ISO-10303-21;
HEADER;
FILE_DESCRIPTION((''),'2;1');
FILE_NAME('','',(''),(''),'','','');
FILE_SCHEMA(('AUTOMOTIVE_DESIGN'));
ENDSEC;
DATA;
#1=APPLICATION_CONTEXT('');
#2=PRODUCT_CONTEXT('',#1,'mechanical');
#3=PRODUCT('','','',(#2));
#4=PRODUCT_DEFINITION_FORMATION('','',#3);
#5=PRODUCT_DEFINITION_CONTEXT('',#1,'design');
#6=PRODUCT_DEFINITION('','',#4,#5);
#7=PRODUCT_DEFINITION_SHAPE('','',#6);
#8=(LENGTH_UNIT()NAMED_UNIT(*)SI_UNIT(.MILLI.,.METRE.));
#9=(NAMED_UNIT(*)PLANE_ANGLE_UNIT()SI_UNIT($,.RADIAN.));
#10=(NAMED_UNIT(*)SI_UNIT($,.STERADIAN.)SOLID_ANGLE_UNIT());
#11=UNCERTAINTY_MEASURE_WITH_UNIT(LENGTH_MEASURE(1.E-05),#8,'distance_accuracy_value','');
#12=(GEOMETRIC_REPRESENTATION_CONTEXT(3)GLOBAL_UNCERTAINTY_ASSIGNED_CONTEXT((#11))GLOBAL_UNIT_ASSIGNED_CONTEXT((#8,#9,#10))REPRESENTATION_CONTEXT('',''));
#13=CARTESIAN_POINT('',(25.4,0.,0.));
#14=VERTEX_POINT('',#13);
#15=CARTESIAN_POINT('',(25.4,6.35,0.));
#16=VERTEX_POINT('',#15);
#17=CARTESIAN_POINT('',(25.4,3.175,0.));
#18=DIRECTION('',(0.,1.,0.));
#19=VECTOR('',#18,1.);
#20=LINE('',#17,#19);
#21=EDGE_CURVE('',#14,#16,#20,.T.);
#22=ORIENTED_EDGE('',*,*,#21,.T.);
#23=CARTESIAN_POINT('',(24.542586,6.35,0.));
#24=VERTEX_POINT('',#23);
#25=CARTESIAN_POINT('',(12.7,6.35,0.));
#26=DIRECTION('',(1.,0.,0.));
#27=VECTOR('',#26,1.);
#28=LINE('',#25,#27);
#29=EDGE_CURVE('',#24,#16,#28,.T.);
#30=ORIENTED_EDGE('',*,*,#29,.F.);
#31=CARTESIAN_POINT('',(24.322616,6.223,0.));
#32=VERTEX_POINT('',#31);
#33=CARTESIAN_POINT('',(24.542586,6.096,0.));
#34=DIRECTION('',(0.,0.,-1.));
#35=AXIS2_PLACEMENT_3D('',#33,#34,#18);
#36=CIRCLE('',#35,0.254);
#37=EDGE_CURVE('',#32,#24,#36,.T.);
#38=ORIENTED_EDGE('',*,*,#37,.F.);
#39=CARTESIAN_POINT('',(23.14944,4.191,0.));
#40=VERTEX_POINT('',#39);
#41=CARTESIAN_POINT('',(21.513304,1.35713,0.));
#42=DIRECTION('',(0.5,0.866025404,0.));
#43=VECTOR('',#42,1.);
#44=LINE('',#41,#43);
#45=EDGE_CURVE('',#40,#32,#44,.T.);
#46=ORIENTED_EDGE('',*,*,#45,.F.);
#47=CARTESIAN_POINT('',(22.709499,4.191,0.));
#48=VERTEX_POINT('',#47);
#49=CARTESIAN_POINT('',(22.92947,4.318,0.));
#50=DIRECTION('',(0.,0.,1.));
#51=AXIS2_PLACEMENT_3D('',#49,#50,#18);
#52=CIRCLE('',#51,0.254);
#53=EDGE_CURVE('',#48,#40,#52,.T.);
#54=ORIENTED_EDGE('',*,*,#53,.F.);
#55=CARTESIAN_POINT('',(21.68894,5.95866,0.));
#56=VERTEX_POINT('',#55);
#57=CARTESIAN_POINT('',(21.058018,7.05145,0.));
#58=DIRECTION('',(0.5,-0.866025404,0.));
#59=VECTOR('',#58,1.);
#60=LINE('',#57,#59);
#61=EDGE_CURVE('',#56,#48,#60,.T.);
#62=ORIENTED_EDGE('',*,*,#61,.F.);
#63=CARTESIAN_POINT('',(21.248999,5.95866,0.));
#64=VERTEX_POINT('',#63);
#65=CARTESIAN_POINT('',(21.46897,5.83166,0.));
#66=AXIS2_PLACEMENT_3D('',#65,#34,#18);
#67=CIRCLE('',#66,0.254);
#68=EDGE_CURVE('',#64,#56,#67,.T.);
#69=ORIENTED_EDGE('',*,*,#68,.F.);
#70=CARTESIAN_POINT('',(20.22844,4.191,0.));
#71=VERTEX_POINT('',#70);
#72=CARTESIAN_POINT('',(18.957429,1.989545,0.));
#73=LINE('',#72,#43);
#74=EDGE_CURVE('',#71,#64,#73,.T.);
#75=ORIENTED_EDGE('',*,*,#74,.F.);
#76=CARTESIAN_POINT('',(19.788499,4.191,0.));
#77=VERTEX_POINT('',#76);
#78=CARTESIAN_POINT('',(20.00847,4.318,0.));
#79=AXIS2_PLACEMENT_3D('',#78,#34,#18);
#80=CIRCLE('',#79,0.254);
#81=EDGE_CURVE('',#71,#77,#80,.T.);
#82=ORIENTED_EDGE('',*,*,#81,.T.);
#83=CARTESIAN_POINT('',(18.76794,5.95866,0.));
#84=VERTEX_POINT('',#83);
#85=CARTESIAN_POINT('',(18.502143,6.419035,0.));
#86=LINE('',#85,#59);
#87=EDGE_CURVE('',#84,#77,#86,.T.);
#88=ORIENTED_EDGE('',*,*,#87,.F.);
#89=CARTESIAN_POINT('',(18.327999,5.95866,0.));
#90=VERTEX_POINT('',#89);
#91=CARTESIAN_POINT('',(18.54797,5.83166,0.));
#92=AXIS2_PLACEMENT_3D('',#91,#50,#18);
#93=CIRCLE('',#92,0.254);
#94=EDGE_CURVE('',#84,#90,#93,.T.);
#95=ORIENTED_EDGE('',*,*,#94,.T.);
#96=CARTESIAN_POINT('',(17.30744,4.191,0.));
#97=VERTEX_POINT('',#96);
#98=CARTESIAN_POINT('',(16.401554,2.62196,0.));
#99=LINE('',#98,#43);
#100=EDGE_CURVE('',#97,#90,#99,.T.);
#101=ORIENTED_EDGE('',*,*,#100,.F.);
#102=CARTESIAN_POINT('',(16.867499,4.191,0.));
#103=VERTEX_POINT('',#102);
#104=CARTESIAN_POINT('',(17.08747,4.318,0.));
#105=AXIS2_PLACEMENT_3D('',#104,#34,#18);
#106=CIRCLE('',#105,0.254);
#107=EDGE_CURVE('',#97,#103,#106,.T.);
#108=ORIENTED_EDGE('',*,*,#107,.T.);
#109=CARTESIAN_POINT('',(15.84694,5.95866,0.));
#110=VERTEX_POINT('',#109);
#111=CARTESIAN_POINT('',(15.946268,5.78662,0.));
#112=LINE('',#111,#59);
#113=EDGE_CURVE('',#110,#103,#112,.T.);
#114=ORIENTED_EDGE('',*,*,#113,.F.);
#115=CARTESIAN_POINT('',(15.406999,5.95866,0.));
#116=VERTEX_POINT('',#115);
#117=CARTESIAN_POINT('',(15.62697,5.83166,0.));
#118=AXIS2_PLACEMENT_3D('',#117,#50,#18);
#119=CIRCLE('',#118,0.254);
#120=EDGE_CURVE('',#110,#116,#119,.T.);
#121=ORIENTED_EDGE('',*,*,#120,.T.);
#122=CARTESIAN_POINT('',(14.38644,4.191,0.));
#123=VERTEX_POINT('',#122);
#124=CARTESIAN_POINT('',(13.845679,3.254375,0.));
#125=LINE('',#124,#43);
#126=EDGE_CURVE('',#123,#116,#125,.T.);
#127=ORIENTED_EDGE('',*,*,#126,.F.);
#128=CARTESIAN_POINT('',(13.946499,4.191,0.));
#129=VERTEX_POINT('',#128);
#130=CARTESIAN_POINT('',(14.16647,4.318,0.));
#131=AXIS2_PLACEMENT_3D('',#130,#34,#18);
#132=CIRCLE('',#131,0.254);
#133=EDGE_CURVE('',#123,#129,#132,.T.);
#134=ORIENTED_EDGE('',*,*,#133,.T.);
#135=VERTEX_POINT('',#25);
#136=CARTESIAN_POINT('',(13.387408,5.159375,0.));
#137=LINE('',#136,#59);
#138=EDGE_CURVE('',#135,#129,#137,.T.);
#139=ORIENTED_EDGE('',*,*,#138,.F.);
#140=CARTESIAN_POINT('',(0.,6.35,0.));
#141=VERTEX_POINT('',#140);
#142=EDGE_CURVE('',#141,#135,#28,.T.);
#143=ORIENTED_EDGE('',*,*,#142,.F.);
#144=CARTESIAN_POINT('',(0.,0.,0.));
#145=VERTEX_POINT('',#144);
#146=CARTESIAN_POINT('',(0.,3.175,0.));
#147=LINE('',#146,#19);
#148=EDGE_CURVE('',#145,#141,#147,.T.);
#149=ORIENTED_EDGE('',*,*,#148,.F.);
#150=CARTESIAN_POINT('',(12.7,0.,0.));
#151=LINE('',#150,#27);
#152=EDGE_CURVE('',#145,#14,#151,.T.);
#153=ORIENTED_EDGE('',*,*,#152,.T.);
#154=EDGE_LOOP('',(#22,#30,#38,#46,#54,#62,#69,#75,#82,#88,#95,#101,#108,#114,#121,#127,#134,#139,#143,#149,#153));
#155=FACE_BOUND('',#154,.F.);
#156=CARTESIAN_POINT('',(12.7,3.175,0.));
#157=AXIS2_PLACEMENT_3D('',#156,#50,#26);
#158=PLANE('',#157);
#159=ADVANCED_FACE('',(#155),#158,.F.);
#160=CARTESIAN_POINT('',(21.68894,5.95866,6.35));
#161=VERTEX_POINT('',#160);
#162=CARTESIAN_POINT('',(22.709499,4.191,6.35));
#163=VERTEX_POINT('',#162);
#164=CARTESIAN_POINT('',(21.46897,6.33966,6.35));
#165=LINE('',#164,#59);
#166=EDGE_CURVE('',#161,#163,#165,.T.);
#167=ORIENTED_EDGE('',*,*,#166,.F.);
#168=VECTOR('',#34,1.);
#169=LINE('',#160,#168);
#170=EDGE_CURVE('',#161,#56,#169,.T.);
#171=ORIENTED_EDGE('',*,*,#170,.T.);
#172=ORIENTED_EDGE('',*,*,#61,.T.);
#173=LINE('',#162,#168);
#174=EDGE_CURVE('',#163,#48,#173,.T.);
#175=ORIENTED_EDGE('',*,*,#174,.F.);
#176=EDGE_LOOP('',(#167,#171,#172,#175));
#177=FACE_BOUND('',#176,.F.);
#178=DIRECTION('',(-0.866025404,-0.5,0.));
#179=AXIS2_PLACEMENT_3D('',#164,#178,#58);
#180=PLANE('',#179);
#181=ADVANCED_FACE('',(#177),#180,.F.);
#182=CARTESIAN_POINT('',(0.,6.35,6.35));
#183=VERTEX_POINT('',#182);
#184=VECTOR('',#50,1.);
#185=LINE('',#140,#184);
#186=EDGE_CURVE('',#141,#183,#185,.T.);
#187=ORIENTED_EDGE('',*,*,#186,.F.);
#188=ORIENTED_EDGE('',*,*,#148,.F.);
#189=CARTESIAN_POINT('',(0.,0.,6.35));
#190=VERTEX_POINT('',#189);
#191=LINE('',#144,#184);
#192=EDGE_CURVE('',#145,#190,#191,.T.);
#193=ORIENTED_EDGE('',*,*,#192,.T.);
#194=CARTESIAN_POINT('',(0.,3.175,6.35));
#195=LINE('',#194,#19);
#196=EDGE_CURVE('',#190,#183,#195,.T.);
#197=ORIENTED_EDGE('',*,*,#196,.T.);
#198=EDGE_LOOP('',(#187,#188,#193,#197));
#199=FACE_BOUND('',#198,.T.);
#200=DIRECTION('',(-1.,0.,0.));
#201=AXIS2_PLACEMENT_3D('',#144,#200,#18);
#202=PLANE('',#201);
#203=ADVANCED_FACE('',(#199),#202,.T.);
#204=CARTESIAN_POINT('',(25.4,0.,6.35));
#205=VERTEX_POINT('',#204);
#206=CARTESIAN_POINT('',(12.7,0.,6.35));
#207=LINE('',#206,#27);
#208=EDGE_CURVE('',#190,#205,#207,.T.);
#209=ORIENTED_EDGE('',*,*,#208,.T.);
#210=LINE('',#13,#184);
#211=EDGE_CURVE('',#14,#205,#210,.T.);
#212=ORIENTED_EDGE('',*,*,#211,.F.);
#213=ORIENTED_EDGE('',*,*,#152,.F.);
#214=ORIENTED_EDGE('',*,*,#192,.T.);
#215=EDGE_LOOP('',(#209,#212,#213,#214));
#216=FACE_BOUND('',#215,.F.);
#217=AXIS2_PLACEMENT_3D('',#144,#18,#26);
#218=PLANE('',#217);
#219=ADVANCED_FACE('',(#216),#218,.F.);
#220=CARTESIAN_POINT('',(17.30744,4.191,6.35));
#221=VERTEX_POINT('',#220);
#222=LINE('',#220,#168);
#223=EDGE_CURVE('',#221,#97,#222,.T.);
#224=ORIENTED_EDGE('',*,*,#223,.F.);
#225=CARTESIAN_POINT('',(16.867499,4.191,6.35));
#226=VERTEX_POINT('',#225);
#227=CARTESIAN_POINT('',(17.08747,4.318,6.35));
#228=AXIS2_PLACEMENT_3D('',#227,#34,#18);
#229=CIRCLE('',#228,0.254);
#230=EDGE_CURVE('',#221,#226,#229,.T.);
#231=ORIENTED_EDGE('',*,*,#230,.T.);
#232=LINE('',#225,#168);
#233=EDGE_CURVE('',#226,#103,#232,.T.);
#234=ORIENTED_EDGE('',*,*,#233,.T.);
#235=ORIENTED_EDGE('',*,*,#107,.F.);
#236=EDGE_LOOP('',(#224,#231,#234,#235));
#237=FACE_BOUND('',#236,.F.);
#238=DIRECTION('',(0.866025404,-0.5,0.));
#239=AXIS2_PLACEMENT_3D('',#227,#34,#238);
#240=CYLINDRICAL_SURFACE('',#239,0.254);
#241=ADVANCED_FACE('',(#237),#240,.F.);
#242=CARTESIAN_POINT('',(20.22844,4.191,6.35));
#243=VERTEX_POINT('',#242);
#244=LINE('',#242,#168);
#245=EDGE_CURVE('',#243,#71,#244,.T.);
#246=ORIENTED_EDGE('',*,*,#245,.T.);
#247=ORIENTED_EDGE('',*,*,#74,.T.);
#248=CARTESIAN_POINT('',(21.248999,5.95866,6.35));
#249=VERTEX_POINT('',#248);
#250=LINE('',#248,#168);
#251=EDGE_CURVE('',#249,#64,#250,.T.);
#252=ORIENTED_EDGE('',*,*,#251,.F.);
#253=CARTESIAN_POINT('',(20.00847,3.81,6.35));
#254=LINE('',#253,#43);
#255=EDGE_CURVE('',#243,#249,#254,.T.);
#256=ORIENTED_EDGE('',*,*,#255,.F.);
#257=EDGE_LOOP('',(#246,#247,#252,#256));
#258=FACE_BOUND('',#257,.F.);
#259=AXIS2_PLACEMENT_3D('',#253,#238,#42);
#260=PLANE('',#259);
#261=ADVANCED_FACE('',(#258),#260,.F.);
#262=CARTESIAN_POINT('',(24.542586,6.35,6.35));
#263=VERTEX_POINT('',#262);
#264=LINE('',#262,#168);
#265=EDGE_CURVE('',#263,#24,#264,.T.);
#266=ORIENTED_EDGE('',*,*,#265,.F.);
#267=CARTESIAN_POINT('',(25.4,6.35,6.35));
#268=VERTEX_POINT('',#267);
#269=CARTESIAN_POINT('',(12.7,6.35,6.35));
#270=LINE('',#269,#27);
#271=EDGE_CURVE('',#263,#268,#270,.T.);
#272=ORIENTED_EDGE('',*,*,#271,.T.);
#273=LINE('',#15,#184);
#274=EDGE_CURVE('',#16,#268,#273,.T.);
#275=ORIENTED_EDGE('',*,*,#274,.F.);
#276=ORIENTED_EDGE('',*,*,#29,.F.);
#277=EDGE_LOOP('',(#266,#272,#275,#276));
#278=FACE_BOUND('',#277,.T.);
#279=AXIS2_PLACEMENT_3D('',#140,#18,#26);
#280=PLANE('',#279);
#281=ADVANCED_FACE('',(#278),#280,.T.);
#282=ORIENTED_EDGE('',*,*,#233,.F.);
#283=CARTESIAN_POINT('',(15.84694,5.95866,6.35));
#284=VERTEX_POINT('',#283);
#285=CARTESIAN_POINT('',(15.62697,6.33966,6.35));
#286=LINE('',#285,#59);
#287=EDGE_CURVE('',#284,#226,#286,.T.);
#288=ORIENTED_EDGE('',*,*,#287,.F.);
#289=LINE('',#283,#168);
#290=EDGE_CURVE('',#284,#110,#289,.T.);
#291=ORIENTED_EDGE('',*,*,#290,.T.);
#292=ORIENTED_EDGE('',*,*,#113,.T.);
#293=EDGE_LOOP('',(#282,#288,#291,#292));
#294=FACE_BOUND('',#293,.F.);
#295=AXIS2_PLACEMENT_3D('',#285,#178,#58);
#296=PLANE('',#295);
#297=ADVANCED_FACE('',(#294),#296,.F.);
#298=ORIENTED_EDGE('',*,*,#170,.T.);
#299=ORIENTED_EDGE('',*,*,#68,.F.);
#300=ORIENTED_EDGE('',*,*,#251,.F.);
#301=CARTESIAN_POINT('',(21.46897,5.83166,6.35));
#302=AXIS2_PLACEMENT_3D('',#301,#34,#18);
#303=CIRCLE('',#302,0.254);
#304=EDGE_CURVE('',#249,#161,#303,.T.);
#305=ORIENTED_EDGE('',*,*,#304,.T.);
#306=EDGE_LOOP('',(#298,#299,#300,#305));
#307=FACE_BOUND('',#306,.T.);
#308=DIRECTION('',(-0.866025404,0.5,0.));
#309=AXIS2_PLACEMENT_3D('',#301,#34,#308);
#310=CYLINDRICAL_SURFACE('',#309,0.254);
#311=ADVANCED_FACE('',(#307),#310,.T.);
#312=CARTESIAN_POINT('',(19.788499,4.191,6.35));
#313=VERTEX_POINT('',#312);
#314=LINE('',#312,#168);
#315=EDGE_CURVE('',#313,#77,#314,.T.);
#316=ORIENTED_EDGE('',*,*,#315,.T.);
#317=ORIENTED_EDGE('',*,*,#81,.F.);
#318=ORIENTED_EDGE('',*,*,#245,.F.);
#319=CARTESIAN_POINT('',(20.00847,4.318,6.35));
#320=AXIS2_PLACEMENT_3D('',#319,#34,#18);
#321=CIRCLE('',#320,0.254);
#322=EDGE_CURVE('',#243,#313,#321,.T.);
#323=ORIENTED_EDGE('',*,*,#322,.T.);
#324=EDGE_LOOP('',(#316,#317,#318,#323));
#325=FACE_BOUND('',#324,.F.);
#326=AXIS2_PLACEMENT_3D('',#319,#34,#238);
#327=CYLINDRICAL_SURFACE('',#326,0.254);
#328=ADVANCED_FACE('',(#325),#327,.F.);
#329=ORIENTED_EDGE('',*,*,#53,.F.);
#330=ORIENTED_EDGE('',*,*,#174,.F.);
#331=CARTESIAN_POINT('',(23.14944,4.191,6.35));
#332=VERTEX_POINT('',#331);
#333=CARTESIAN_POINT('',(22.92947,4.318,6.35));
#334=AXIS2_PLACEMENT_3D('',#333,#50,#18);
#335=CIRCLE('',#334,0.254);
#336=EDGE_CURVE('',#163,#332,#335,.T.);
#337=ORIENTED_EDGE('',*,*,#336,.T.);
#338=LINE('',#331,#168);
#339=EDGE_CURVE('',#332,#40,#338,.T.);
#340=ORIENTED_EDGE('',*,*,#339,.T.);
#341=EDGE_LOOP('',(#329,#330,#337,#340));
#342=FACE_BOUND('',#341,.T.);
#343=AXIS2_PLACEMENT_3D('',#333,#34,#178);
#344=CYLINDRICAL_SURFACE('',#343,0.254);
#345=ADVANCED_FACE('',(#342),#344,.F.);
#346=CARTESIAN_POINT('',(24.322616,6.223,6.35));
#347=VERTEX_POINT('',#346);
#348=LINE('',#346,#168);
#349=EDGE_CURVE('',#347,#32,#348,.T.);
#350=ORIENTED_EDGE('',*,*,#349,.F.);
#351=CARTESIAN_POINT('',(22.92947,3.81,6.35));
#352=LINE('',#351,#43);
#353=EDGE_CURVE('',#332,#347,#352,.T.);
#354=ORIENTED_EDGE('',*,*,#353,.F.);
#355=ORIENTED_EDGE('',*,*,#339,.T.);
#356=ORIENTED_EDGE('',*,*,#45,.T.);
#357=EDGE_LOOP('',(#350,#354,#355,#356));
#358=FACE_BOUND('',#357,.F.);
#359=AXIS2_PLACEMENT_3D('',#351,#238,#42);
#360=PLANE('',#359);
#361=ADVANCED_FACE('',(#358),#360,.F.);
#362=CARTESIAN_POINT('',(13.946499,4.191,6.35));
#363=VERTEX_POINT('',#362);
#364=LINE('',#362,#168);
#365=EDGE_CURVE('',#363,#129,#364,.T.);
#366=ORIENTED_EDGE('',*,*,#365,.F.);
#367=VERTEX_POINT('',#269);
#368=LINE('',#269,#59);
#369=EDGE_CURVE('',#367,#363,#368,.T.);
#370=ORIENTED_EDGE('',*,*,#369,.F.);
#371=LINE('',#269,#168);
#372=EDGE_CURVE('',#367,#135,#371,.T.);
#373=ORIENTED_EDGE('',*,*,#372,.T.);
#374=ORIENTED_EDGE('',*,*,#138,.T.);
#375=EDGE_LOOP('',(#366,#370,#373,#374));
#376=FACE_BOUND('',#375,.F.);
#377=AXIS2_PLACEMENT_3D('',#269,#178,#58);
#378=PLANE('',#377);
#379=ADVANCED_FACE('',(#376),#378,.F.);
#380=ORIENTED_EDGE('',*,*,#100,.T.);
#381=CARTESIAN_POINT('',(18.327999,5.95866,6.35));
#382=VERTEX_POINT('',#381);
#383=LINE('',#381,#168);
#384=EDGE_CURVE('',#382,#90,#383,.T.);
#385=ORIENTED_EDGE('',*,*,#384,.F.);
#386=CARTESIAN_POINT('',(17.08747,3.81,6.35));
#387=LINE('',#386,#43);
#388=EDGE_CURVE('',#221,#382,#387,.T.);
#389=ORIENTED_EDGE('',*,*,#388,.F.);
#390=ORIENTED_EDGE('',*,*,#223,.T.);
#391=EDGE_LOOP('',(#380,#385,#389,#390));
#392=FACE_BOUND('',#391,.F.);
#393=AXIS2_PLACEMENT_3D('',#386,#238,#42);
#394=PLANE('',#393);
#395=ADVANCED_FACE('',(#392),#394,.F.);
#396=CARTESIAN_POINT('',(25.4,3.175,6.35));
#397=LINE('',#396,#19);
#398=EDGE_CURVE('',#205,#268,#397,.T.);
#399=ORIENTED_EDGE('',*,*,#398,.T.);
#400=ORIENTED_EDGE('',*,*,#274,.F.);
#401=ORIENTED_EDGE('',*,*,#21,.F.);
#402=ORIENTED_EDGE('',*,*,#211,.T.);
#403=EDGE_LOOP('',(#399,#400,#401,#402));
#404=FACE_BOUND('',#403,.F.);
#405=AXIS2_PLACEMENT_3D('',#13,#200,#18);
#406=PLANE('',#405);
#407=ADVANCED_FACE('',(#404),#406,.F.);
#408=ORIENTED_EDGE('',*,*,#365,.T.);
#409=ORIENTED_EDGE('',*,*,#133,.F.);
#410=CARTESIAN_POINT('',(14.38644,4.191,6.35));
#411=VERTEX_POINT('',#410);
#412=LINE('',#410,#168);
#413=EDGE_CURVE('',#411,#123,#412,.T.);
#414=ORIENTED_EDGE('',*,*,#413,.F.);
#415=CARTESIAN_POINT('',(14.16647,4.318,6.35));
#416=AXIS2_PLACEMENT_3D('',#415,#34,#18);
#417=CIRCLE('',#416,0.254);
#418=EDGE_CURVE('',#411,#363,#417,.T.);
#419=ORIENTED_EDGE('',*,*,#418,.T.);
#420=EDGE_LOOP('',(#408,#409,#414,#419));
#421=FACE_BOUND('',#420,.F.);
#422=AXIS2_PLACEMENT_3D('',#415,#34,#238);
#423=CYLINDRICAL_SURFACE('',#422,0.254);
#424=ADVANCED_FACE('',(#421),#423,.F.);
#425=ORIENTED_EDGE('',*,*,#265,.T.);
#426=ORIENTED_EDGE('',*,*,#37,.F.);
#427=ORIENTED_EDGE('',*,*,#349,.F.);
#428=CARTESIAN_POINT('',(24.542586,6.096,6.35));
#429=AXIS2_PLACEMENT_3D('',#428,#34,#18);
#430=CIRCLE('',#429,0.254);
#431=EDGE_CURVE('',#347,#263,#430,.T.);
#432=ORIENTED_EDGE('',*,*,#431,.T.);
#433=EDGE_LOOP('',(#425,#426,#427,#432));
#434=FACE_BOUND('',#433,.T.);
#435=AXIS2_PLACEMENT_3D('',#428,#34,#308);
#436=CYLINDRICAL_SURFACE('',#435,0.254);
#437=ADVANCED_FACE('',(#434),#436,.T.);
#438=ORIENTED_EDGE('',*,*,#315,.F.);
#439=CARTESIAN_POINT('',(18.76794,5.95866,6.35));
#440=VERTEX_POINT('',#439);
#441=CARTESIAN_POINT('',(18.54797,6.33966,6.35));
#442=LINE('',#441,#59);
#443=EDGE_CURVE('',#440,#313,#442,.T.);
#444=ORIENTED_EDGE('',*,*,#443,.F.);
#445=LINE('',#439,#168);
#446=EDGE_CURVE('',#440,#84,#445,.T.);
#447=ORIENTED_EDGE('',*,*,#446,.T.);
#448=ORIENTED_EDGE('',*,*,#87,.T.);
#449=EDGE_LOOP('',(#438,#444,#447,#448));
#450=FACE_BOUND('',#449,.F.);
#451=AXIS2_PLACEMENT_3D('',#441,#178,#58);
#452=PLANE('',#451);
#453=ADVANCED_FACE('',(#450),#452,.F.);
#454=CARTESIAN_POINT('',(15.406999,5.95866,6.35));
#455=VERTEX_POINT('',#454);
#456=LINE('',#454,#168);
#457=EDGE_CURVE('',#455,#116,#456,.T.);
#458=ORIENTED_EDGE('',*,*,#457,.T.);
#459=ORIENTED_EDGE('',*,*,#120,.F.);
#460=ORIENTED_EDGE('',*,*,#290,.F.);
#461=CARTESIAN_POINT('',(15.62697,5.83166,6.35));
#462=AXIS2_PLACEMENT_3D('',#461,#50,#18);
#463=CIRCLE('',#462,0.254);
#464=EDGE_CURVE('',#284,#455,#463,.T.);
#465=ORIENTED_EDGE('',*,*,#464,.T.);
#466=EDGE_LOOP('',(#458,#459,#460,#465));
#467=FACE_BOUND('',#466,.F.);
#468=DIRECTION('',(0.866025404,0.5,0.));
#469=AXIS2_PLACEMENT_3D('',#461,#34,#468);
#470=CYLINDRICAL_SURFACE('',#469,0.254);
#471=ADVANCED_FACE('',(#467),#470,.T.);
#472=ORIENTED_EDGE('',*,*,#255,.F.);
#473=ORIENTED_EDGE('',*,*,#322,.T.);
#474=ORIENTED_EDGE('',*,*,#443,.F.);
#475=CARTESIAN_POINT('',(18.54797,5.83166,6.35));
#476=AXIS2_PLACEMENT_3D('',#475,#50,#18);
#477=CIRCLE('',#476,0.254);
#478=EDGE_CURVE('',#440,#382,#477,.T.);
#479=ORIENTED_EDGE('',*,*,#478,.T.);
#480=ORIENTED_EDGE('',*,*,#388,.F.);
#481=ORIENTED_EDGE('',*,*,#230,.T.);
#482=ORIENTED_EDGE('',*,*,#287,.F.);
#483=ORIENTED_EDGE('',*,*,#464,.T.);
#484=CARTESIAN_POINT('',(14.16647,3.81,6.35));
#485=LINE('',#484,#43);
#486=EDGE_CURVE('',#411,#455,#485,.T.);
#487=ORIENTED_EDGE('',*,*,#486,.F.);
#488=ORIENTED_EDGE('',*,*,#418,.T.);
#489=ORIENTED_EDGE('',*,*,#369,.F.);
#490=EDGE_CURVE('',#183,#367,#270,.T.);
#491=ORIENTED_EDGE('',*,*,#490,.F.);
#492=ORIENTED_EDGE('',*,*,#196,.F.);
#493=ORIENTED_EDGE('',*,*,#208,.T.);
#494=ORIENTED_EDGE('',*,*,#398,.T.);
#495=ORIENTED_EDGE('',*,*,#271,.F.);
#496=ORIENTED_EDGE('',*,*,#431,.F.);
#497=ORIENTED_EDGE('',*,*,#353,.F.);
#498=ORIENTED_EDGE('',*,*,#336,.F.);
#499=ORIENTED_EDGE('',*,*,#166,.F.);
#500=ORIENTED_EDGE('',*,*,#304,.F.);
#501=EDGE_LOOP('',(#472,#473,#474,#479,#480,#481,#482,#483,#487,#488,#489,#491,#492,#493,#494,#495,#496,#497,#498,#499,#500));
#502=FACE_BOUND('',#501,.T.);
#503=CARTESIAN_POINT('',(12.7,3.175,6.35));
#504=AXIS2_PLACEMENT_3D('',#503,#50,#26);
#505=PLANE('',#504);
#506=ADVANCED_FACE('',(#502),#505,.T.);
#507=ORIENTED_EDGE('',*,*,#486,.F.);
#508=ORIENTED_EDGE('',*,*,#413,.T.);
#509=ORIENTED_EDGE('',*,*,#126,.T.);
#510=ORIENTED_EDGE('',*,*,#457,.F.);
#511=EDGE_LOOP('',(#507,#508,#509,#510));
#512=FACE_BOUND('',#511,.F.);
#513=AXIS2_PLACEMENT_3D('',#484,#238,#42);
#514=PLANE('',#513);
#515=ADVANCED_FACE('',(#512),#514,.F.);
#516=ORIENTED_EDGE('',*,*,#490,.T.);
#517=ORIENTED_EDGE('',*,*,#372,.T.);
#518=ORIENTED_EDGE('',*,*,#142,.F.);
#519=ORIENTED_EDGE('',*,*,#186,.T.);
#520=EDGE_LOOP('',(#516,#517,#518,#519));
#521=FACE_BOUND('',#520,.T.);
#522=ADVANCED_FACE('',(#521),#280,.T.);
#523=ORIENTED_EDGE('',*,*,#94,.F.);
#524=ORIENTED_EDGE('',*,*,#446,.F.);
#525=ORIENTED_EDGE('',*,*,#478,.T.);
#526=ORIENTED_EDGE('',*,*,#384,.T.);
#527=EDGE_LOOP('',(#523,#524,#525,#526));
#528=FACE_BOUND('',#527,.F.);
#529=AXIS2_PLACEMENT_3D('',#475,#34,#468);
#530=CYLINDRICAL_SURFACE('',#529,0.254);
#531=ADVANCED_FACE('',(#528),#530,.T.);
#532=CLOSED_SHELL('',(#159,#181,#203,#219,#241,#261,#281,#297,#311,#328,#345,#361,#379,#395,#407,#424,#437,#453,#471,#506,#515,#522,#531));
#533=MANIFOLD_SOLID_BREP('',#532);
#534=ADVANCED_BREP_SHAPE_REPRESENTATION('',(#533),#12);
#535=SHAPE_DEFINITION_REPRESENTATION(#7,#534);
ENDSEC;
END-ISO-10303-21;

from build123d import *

# Parameters (mm, degrees)
F0_W     = 25.4
F0_H     = 6.35
F1_DEPTH = 6.35
F3_DEPTH = 25.4
F4_R     = 0.254
F5_R     = 0.254


with BuildPart() as f1:
    # F0 (on Top) → F1 (new body)
    with BuildSketch(Plane.XY):
        with Locations((12.7, 3.175)):
            Rectangle(F0_W, F0_H)
    extrude(amount=F1_DEPTH)

    # F2 (on face) → F3 (cut)
    with BuildSketch(Plane.XY.offset(6.35)):
        Polygon((15.621, 6.35), (12.7, 6.35), (14.1664696837, 3.81), (15.6269696837, 6.3396602045), align=None)
        Polygon((15.6329393675, 6.35), (15.621, 6.35), (15.6269696837, 6.3396602045), align=None)
        Polygon((15.6329393675, 6.35), (15.6269696837, 6.3396602045), (17.0874696837, 3.81), (18.5479696837, 6.3396602045), (18.542, 6.35), align=None)
        Polygon((18.5539393675, 6.35), (18.542, 6.35), (18.5479696837, 6.3396602045), align=None)
        Polygon((18.5539393675, 6.35), (18.5479696837, 6.3396602045), (20.0084696837, 3.81), (21.4689696837, 6.3396602045), (21.463, 6.35), align=None)
        Polygon((21.4749393675, 6.35), (21.463, 6.35), (21.4689696837, 6.3396602045), align=None)
        Polygon((21.4749393675, 6.35), (21.4689696837, 6.3396602045), (22.9294696837, 3.81), (24.3959393675, 6.35), align=None)
    extrude(amount=-F3_DEPTH, mode=Mode.SUBTRACT)

    # F4
    f4_edges = [f1.edges().sort_by_distance(p)[0] for p in [
        (21.46897, 6.33966, 3.175),
    ]]
    fillet(f4_edges, radius=F4_R)

    # F5
    f5_edges = [f1.edges().sort_by_distance(p)[0] for p in [
        (24.395939, 6.35, 3.175),
        (22.92947, 3.81, 3.175),
        (20.00847, 3.81, 3.175),
        (18.54797, 6.33966, 3.175),
        (17.08747, 3.81, 3.175),
        (15.62697, 6.33966, 3.175),
        (14.16647, 3.81, 3.175),
    ]]
    fillet(f5_edges, radius=F5_R)


solid = f1.part
